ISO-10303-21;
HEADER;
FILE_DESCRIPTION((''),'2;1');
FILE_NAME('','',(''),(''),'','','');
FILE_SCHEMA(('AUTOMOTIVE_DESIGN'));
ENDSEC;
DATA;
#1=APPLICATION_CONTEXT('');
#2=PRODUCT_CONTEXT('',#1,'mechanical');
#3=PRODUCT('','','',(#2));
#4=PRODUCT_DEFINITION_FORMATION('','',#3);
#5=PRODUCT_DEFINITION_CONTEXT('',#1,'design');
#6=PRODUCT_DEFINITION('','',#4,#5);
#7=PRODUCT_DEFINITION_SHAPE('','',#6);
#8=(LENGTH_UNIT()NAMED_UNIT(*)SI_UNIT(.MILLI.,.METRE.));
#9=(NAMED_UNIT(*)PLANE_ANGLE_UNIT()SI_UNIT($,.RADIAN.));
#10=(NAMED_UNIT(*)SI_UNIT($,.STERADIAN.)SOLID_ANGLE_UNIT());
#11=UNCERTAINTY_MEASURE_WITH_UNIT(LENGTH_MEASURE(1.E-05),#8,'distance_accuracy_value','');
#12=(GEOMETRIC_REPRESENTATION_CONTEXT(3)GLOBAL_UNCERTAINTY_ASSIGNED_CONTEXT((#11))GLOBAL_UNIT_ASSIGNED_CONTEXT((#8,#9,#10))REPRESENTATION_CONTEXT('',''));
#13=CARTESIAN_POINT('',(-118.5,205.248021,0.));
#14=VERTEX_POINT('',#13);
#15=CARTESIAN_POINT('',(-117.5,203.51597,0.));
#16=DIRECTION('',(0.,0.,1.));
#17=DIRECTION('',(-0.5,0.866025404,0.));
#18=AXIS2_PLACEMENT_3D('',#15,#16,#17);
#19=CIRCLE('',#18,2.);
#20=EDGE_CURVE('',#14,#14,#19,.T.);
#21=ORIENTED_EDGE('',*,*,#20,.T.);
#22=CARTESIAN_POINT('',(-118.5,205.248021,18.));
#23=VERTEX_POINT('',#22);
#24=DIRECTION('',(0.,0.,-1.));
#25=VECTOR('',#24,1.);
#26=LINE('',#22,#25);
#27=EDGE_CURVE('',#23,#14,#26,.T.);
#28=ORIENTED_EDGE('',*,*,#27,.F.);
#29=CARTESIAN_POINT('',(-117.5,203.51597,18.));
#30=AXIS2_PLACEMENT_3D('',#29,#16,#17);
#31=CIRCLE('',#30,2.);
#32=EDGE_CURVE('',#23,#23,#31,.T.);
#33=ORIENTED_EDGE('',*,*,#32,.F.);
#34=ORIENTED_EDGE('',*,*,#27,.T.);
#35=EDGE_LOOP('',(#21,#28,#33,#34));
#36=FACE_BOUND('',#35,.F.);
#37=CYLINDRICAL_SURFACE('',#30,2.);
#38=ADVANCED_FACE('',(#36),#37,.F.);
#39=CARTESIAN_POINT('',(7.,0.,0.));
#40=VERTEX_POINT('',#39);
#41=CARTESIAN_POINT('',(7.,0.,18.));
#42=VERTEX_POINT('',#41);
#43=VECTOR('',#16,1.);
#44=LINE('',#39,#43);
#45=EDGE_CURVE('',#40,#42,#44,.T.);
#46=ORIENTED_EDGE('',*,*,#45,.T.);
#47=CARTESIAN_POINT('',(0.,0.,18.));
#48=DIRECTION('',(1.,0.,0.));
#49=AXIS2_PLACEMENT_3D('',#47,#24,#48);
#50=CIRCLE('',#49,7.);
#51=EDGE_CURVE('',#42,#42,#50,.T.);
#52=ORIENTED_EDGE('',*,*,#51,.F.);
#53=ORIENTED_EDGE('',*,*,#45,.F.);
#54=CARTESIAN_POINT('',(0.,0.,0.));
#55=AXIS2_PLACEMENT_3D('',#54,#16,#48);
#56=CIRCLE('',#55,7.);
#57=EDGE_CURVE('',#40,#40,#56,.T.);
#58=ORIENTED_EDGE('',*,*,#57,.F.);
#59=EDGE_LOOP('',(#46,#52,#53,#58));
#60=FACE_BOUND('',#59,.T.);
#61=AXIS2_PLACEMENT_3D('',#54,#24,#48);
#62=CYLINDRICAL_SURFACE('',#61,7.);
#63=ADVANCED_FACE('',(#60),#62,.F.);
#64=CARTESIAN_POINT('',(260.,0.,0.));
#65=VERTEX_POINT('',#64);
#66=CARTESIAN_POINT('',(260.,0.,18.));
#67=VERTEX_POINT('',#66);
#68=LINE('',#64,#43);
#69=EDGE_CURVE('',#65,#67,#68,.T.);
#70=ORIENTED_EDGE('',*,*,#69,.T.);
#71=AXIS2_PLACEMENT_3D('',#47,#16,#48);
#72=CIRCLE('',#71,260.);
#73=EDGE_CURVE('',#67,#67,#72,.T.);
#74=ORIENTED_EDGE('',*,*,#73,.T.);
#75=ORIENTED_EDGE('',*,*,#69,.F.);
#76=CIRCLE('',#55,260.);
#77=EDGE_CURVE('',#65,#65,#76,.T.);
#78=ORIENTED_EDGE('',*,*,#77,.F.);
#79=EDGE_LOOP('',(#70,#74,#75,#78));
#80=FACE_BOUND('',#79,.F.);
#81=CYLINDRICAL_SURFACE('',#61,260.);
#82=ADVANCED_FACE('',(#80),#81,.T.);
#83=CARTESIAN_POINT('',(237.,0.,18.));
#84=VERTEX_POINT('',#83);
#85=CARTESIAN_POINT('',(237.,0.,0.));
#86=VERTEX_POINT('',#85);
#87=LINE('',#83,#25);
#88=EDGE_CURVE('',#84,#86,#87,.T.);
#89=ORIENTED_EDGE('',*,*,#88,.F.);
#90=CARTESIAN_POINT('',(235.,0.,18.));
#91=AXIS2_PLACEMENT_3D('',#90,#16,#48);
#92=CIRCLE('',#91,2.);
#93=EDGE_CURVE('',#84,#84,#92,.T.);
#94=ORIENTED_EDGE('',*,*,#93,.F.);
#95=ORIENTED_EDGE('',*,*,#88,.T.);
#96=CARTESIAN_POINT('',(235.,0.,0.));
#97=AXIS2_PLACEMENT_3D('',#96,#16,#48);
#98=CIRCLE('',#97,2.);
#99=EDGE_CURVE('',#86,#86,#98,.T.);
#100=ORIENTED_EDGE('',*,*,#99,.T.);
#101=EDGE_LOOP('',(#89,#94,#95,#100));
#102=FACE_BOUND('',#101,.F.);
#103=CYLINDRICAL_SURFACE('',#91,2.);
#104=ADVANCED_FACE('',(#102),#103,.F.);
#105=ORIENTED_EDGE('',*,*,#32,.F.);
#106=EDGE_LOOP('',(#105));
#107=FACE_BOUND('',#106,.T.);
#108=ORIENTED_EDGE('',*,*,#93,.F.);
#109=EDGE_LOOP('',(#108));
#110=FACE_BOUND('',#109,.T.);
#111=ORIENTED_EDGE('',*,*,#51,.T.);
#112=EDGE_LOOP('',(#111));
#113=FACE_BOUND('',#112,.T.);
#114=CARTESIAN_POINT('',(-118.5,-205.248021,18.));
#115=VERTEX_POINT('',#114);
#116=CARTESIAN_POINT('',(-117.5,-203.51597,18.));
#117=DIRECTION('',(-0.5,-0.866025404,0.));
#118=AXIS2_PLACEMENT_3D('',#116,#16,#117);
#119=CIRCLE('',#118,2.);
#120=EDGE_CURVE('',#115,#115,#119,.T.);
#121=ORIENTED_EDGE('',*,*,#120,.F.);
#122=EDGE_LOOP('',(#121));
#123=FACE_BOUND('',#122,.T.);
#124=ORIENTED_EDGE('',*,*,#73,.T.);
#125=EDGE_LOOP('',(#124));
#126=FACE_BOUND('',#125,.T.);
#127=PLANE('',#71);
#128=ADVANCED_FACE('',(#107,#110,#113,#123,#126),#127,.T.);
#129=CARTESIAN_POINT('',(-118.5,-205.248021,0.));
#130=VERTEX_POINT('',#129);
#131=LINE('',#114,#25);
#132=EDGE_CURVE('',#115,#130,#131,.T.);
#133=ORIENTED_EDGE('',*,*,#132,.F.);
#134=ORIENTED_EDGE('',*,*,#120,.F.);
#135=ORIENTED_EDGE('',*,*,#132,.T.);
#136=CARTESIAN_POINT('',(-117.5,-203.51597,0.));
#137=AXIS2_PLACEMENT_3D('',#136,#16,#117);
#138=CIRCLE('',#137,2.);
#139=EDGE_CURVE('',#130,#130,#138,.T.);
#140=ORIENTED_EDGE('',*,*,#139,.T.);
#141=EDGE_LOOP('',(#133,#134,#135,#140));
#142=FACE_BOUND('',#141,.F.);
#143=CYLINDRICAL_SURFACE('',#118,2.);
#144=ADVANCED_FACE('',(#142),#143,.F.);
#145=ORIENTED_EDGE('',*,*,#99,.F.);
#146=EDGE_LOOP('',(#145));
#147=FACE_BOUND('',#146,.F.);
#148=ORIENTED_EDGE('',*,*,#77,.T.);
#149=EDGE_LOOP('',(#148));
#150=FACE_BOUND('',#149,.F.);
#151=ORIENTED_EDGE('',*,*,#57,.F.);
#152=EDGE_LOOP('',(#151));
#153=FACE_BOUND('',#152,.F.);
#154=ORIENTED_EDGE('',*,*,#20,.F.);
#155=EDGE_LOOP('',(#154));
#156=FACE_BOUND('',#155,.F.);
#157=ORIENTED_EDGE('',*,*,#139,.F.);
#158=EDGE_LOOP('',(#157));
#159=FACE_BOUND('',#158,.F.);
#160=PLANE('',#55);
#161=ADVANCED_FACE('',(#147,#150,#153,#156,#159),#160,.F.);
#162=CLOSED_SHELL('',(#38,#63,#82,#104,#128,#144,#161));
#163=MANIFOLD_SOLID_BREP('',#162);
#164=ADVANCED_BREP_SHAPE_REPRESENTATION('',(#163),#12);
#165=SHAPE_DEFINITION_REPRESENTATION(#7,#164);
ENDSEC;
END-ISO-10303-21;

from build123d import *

# Parameters (mm, degrees)
SKETCH_R           = 260
PAD_DEPTH          = 18
SKETCH001_R        = 2
POCKET_DEPTH       = 1489.223621
POLARPATTERN_COUNT = 3
SKETCH002_R        = 7
POCKET001_DEPTH    = 18.001


with BuildPart() as part:
    # Sketch → Pad (new body)
    with BuildSketch(Plane.XY):
        Circle(SKETCH_R)
    extrude(amount=PAD_DEPTH)

    # Sketch001 (on Face3 of Pad) → Pocket (cut, through all)
    with BuildSketch(Plane.XY.offset(18)):
        with Locations((235, 0)):
            Circle(SKETCH001_R)
    pocket = extrude(amount=-POCKET_DEPTH, mode=Mode.SUBTRACT)

    # PolarPattern: Pocket ×3 about axis
    polarpattern_axis = Axis((0, 0, 18), (0, 0, 1))
    for i in range(1, POLARPATTERN_COUNT):
        add(pocket.rotate(polarpattern_axis, i * 360 / POLARPATTERN_COUNT), mode=Mode.SUBTRACT)

    # Sketch002 → Pocket001 (cut, through all)
    with BuildSketch(Plane.XY):
        Circle(SKETCH002_R)
    extrude(amount=POCKET001_DEPTH, mode=Mode.SUBTRACT)


solid = part.part
